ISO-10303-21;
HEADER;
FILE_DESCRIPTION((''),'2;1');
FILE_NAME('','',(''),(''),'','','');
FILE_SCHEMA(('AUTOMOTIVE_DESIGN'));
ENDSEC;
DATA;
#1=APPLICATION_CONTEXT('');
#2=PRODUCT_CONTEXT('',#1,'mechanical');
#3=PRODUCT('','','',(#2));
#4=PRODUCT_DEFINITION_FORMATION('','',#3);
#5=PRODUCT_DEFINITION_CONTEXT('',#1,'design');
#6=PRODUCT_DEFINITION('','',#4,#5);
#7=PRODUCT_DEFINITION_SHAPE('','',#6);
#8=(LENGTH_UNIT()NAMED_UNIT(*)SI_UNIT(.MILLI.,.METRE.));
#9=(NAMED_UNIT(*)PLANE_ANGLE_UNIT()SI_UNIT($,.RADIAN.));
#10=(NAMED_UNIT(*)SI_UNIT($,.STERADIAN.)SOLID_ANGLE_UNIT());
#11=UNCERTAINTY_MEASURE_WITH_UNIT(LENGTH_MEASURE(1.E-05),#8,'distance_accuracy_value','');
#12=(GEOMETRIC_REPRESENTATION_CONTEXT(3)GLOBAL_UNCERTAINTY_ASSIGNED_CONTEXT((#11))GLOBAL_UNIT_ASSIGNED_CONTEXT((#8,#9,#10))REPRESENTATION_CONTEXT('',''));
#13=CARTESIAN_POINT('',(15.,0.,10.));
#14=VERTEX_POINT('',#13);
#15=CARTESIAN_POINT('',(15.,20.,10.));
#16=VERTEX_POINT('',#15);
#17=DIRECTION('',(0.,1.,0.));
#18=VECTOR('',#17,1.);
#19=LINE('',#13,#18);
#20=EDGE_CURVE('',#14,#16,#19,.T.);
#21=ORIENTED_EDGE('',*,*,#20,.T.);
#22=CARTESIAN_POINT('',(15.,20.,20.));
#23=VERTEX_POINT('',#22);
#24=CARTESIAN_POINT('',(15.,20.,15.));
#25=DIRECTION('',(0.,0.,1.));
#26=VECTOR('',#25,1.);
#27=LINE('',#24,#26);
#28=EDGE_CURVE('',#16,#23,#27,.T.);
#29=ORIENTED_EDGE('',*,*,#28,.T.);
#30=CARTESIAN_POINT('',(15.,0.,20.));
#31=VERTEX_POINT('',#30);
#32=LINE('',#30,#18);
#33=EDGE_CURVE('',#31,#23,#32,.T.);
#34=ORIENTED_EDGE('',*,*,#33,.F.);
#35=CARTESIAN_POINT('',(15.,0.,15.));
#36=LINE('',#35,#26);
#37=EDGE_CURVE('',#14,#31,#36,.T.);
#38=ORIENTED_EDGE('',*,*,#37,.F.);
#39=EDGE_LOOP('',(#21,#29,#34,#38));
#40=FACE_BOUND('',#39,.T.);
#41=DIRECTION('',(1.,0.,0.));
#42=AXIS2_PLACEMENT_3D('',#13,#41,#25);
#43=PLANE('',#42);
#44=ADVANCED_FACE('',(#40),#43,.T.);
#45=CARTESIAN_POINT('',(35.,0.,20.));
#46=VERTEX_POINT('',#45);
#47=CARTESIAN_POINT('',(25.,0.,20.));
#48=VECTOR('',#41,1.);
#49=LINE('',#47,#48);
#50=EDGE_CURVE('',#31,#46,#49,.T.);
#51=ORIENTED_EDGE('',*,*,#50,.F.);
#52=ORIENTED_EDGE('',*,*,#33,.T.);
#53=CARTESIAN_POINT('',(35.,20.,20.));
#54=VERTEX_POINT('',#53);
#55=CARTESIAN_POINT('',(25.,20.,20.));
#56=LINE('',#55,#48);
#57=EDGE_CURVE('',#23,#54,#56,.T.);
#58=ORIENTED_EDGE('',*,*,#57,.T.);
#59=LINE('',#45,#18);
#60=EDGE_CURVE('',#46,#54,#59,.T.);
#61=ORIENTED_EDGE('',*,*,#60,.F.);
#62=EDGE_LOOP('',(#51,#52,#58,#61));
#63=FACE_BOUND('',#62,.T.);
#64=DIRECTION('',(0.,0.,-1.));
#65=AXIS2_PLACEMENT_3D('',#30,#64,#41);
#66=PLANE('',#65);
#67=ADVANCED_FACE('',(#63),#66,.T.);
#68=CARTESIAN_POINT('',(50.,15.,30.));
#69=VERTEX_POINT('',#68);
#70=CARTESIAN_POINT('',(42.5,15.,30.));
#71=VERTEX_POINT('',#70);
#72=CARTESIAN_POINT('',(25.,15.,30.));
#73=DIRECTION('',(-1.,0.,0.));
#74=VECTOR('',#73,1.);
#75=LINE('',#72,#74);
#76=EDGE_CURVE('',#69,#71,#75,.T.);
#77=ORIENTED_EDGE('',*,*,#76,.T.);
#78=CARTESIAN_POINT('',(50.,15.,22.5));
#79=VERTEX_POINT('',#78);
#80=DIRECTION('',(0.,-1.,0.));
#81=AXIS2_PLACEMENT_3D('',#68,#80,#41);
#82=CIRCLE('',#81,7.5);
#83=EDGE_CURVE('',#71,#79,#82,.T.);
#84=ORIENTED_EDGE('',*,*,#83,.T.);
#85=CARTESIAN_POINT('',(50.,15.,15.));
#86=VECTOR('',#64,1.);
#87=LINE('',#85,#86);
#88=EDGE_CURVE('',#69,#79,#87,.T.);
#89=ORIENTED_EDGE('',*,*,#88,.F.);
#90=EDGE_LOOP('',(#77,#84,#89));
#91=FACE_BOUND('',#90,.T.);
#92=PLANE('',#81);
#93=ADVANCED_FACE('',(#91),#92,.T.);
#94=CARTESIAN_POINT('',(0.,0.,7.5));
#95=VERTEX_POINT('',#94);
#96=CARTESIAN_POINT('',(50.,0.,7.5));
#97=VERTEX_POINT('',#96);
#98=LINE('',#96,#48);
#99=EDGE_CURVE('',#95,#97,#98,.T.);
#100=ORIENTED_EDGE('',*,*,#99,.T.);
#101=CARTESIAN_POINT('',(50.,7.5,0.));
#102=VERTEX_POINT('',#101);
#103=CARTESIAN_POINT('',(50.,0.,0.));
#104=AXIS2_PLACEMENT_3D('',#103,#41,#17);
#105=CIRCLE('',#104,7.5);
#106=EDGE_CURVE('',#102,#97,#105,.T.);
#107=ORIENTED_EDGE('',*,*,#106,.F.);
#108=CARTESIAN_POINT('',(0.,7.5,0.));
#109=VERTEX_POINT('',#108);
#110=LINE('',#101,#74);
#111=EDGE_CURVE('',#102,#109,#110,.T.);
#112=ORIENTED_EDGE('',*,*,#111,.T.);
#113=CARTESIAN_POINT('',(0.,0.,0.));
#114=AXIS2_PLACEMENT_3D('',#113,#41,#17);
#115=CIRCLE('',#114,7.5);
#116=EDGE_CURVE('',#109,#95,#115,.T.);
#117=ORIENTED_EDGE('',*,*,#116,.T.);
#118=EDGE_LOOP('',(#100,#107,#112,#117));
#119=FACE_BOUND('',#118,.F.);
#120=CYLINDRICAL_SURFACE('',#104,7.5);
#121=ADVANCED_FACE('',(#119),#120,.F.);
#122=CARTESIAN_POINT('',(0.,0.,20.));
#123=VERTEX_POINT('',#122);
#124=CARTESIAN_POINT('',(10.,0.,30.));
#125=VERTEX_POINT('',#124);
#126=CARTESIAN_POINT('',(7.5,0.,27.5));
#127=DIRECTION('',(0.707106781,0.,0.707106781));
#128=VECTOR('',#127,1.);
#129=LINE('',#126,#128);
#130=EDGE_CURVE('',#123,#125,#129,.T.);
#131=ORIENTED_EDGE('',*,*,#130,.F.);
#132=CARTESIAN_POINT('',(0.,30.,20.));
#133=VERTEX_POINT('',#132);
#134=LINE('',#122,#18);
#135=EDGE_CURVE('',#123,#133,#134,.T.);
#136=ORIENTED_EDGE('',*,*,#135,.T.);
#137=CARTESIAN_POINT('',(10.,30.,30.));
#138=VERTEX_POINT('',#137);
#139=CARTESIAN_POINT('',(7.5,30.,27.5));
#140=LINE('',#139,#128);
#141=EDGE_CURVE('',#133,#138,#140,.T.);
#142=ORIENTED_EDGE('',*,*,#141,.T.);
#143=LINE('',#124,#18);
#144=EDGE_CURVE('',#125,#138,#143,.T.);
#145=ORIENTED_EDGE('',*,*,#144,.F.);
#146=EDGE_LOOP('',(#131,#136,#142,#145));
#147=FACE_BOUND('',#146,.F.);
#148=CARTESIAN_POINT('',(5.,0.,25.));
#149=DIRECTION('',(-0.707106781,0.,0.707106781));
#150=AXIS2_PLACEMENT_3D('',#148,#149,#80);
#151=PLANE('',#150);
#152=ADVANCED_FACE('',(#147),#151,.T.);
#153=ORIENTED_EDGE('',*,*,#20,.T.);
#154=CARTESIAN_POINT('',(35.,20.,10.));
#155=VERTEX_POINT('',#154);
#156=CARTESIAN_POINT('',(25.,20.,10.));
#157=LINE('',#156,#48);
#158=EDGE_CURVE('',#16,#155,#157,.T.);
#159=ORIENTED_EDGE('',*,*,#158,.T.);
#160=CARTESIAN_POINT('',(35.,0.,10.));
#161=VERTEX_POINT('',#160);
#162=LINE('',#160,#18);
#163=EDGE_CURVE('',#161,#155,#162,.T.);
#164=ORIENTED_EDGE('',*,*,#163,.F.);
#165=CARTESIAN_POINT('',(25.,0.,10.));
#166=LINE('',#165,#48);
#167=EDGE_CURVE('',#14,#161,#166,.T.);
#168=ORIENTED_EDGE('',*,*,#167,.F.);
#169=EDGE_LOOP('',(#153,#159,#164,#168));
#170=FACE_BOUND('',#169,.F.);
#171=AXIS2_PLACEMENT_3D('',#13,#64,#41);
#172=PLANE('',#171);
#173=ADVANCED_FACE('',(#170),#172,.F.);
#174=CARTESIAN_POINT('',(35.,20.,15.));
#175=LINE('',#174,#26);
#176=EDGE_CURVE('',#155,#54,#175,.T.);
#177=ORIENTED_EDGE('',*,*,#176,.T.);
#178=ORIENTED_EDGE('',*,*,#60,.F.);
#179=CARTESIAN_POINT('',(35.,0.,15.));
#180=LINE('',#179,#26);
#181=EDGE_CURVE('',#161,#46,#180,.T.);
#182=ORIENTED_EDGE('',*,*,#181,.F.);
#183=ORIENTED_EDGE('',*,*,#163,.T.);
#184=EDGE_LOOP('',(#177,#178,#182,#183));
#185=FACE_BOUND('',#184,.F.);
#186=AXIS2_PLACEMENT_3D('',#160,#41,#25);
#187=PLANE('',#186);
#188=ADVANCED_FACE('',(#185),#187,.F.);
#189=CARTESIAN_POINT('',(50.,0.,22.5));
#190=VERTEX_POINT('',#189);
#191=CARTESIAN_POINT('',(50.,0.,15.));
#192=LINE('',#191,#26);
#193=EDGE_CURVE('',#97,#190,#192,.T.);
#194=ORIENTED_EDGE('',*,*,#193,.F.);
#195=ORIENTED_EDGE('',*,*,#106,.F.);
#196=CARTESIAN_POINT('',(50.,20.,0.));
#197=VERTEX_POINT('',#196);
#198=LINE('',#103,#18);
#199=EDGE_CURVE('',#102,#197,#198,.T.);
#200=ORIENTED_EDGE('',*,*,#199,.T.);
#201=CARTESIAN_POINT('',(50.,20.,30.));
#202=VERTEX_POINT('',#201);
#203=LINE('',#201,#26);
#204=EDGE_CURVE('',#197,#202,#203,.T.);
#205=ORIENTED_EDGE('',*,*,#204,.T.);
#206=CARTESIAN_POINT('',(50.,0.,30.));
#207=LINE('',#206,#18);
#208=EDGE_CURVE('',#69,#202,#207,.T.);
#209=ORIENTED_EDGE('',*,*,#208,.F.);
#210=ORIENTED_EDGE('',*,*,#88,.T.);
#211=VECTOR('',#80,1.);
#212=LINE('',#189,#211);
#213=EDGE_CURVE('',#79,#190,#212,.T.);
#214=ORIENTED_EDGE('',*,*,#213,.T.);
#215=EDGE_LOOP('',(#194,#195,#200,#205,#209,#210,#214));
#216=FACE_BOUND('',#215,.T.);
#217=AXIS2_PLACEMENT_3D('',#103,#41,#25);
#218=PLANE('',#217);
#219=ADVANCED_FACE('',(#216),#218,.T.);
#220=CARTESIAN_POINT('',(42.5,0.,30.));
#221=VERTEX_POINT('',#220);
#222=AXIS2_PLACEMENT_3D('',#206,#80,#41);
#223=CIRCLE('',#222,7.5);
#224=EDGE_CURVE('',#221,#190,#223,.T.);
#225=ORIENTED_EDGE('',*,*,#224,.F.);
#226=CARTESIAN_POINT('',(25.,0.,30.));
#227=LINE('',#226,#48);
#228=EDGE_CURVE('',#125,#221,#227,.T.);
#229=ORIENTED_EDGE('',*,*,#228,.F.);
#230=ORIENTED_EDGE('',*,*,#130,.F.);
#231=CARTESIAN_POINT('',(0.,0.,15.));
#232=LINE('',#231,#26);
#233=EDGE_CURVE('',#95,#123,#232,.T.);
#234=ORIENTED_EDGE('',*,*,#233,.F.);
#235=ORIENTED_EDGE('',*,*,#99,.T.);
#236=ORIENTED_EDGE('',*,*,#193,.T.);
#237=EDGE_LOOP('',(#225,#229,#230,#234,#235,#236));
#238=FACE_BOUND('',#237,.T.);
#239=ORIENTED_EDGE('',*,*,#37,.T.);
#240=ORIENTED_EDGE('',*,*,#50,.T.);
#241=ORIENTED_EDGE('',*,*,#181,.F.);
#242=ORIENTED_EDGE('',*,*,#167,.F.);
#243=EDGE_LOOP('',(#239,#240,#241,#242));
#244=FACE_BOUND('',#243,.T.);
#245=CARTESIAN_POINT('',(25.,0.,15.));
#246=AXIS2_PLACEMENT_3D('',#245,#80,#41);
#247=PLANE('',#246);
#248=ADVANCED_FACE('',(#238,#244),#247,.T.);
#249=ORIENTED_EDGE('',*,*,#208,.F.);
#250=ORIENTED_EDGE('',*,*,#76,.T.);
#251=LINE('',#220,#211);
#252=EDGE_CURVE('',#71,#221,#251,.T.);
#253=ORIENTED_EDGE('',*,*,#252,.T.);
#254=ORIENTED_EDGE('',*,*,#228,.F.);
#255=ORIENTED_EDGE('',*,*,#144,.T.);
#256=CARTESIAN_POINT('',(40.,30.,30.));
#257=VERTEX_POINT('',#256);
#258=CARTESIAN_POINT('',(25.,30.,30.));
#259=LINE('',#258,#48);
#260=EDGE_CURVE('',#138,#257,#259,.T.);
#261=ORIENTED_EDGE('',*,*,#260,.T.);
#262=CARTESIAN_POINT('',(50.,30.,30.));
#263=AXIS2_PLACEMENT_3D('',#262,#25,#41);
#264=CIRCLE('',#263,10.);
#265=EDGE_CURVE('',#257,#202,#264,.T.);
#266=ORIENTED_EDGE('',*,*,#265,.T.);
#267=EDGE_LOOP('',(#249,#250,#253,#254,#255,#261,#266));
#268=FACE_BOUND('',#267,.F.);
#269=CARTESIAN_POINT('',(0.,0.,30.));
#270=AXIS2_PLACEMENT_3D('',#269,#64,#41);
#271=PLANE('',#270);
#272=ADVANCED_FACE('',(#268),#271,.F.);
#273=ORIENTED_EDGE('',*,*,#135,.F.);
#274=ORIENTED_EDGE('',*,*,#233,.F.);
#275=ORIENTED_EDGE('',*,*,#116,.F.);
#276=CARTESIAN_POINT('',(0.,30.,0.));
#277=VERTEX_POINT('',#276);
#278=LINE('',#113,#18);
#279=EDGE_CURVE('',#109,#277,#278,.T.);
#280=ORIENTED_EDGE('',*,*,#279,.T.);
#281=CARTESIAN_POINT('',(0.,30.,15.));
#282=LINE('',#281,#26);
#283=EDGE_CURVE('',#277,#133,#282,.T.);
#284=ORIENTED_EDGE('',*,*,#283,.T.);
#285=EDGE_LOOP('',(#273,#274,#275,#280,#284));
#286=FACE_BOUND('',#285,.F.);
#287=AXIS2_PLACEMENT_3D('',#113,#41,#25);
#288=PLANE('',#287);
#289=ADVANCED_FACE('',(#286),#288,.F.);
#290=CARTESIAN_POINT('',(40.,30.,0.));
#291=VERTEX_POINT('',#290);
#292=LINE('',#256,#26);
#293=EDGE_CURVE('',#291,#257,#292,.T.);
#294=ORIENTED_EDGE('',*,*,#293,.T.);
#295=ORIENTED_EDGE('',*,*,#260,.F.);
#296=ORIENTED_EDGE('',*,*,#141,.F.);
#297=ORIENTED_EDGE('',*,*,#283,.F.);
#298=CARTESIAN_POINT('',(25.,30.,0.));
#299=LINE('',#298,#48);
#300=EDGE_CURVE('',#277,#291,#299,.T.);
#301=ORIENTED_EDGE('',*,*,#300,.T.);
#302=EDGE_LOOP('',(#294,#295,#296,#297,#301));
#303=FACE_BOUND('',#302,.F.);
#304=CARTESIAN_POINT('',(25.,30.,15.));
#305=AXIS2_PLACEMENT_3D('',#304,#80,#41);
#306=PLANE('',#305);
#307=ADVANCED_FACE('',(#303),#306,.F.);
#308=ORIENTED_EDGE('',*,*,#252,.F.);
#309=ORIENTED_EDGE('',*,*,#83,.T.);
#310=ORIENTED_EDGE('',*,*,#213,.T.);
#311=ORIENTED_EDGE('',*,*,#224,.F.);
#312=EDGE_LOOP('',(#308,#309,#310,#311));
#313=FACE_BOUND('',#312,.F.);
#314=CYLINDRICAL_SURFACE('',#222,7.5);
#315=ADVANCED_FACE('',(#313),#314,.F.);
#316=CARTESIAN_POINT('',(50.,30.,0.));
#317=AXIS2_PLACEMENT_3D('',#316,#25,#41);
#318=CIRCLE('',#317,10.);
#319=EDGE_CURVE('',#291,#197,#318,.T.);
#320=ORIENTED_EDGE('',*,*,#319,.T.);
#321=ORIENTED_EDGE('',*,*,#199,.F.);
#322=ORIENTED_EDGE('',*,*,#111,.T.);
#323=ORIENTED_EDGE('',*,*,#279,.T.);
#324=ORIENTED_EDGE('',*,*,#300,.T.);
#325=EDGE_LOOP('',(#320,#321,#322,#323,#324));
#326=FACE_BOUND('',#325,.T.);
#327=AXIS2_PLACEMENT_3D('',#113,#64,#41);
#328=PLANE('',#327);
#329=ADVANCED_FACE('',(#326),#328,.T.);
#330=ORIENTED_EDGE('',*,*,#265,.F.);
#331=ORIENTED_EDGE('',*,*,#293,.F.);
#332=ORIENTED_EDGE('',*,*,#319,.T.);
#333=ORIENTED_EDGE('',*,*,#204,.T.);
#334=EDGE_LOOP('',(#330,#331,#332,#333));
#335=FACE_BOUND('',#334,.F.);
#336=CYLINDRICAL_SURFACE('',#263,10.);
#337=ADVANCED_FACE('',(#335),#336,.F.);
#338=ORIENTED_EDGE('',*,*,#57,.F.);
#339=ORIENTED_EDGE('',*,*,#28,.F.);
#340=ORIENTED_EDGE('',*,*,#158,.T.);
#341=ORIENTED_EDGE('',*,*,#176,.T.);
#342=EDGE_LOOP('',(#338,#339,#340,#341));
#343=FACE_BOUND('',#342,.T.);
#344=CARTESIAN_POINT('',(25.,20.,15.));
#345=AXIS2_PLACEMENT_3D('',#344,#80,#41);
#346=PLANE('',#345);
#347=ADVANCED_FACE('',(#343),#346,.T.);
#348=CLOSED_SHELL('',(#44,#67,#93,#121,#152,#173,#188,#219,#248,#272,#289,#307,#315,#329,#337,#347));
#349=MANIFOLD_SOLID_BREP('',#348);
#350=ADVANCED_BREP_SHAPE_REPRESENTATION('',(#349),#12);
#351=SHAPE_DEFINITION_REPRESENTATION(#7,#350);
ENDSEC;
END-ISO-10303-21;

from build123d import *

# Parameters (mm, degrees)
F0_W      = 50
F0_H      = 30
F1_DEPTH  = 30
F2_SIZE   = 10
F3_W      = 20
F3_H      = 10
F4_DEPTH  = 20
F5_R      = 7.5
F6_DEPTH  = 15
F7_R      = 10
F8_DEPTH  = 30.001
F9_R      = 7.5
F10_DEPTH = 50.001


with BuildPart() as f1:
    # F0 (on Front) → F1 (new body)
    with BuildSketch(Plane.XZ):
        with Locations((25, 15)):
            Rectangle(F0_W, F0_H)
    extrude(amount=-F1_DEPTH)

    # F2
    f2_edges = [f1.edges().sort_by_distance(p)[0] for p in [
        (0, 15, 30),
    ]]
    chamfer(f2_edges, length=F2_SIZE)

    # F3 (on face) → F4 (cut)
    with BuildSketch(Plane.XZ):
        with Locations((25, 15)):
            Rectangle(F3_W, F3_H)
    extrude(amount=-F4_DEPTH, mode=Mode.SUBTRACT)

    # F5 (on face) → F6 (cut)
    with BuildSketch(Plane.XZ):
        with Locations((50, 30)):
            Circle(F5_R)
    extrude(amount=-F6_DEPTH, mode=Mode.SUBTRACT)

    # F7 (on face) → F8 (cut, through all)
    with BuildSketch(Plane.XY.offset(30)):
        with Locations((50, 30)):
            Circle(F7_R)
    extrude(amount=-F8_DEPTH, mode=Mode.SUBTRACT)

    # F9 (on face) → F10 (cut, through all)
    with BuildSketch(Plane.YZ.offset(50)):
        Circle(F9_R)
    extrude(amount=-F10_DEPTH, mode=Mode.SUBTRACT)


solid = f1.part
